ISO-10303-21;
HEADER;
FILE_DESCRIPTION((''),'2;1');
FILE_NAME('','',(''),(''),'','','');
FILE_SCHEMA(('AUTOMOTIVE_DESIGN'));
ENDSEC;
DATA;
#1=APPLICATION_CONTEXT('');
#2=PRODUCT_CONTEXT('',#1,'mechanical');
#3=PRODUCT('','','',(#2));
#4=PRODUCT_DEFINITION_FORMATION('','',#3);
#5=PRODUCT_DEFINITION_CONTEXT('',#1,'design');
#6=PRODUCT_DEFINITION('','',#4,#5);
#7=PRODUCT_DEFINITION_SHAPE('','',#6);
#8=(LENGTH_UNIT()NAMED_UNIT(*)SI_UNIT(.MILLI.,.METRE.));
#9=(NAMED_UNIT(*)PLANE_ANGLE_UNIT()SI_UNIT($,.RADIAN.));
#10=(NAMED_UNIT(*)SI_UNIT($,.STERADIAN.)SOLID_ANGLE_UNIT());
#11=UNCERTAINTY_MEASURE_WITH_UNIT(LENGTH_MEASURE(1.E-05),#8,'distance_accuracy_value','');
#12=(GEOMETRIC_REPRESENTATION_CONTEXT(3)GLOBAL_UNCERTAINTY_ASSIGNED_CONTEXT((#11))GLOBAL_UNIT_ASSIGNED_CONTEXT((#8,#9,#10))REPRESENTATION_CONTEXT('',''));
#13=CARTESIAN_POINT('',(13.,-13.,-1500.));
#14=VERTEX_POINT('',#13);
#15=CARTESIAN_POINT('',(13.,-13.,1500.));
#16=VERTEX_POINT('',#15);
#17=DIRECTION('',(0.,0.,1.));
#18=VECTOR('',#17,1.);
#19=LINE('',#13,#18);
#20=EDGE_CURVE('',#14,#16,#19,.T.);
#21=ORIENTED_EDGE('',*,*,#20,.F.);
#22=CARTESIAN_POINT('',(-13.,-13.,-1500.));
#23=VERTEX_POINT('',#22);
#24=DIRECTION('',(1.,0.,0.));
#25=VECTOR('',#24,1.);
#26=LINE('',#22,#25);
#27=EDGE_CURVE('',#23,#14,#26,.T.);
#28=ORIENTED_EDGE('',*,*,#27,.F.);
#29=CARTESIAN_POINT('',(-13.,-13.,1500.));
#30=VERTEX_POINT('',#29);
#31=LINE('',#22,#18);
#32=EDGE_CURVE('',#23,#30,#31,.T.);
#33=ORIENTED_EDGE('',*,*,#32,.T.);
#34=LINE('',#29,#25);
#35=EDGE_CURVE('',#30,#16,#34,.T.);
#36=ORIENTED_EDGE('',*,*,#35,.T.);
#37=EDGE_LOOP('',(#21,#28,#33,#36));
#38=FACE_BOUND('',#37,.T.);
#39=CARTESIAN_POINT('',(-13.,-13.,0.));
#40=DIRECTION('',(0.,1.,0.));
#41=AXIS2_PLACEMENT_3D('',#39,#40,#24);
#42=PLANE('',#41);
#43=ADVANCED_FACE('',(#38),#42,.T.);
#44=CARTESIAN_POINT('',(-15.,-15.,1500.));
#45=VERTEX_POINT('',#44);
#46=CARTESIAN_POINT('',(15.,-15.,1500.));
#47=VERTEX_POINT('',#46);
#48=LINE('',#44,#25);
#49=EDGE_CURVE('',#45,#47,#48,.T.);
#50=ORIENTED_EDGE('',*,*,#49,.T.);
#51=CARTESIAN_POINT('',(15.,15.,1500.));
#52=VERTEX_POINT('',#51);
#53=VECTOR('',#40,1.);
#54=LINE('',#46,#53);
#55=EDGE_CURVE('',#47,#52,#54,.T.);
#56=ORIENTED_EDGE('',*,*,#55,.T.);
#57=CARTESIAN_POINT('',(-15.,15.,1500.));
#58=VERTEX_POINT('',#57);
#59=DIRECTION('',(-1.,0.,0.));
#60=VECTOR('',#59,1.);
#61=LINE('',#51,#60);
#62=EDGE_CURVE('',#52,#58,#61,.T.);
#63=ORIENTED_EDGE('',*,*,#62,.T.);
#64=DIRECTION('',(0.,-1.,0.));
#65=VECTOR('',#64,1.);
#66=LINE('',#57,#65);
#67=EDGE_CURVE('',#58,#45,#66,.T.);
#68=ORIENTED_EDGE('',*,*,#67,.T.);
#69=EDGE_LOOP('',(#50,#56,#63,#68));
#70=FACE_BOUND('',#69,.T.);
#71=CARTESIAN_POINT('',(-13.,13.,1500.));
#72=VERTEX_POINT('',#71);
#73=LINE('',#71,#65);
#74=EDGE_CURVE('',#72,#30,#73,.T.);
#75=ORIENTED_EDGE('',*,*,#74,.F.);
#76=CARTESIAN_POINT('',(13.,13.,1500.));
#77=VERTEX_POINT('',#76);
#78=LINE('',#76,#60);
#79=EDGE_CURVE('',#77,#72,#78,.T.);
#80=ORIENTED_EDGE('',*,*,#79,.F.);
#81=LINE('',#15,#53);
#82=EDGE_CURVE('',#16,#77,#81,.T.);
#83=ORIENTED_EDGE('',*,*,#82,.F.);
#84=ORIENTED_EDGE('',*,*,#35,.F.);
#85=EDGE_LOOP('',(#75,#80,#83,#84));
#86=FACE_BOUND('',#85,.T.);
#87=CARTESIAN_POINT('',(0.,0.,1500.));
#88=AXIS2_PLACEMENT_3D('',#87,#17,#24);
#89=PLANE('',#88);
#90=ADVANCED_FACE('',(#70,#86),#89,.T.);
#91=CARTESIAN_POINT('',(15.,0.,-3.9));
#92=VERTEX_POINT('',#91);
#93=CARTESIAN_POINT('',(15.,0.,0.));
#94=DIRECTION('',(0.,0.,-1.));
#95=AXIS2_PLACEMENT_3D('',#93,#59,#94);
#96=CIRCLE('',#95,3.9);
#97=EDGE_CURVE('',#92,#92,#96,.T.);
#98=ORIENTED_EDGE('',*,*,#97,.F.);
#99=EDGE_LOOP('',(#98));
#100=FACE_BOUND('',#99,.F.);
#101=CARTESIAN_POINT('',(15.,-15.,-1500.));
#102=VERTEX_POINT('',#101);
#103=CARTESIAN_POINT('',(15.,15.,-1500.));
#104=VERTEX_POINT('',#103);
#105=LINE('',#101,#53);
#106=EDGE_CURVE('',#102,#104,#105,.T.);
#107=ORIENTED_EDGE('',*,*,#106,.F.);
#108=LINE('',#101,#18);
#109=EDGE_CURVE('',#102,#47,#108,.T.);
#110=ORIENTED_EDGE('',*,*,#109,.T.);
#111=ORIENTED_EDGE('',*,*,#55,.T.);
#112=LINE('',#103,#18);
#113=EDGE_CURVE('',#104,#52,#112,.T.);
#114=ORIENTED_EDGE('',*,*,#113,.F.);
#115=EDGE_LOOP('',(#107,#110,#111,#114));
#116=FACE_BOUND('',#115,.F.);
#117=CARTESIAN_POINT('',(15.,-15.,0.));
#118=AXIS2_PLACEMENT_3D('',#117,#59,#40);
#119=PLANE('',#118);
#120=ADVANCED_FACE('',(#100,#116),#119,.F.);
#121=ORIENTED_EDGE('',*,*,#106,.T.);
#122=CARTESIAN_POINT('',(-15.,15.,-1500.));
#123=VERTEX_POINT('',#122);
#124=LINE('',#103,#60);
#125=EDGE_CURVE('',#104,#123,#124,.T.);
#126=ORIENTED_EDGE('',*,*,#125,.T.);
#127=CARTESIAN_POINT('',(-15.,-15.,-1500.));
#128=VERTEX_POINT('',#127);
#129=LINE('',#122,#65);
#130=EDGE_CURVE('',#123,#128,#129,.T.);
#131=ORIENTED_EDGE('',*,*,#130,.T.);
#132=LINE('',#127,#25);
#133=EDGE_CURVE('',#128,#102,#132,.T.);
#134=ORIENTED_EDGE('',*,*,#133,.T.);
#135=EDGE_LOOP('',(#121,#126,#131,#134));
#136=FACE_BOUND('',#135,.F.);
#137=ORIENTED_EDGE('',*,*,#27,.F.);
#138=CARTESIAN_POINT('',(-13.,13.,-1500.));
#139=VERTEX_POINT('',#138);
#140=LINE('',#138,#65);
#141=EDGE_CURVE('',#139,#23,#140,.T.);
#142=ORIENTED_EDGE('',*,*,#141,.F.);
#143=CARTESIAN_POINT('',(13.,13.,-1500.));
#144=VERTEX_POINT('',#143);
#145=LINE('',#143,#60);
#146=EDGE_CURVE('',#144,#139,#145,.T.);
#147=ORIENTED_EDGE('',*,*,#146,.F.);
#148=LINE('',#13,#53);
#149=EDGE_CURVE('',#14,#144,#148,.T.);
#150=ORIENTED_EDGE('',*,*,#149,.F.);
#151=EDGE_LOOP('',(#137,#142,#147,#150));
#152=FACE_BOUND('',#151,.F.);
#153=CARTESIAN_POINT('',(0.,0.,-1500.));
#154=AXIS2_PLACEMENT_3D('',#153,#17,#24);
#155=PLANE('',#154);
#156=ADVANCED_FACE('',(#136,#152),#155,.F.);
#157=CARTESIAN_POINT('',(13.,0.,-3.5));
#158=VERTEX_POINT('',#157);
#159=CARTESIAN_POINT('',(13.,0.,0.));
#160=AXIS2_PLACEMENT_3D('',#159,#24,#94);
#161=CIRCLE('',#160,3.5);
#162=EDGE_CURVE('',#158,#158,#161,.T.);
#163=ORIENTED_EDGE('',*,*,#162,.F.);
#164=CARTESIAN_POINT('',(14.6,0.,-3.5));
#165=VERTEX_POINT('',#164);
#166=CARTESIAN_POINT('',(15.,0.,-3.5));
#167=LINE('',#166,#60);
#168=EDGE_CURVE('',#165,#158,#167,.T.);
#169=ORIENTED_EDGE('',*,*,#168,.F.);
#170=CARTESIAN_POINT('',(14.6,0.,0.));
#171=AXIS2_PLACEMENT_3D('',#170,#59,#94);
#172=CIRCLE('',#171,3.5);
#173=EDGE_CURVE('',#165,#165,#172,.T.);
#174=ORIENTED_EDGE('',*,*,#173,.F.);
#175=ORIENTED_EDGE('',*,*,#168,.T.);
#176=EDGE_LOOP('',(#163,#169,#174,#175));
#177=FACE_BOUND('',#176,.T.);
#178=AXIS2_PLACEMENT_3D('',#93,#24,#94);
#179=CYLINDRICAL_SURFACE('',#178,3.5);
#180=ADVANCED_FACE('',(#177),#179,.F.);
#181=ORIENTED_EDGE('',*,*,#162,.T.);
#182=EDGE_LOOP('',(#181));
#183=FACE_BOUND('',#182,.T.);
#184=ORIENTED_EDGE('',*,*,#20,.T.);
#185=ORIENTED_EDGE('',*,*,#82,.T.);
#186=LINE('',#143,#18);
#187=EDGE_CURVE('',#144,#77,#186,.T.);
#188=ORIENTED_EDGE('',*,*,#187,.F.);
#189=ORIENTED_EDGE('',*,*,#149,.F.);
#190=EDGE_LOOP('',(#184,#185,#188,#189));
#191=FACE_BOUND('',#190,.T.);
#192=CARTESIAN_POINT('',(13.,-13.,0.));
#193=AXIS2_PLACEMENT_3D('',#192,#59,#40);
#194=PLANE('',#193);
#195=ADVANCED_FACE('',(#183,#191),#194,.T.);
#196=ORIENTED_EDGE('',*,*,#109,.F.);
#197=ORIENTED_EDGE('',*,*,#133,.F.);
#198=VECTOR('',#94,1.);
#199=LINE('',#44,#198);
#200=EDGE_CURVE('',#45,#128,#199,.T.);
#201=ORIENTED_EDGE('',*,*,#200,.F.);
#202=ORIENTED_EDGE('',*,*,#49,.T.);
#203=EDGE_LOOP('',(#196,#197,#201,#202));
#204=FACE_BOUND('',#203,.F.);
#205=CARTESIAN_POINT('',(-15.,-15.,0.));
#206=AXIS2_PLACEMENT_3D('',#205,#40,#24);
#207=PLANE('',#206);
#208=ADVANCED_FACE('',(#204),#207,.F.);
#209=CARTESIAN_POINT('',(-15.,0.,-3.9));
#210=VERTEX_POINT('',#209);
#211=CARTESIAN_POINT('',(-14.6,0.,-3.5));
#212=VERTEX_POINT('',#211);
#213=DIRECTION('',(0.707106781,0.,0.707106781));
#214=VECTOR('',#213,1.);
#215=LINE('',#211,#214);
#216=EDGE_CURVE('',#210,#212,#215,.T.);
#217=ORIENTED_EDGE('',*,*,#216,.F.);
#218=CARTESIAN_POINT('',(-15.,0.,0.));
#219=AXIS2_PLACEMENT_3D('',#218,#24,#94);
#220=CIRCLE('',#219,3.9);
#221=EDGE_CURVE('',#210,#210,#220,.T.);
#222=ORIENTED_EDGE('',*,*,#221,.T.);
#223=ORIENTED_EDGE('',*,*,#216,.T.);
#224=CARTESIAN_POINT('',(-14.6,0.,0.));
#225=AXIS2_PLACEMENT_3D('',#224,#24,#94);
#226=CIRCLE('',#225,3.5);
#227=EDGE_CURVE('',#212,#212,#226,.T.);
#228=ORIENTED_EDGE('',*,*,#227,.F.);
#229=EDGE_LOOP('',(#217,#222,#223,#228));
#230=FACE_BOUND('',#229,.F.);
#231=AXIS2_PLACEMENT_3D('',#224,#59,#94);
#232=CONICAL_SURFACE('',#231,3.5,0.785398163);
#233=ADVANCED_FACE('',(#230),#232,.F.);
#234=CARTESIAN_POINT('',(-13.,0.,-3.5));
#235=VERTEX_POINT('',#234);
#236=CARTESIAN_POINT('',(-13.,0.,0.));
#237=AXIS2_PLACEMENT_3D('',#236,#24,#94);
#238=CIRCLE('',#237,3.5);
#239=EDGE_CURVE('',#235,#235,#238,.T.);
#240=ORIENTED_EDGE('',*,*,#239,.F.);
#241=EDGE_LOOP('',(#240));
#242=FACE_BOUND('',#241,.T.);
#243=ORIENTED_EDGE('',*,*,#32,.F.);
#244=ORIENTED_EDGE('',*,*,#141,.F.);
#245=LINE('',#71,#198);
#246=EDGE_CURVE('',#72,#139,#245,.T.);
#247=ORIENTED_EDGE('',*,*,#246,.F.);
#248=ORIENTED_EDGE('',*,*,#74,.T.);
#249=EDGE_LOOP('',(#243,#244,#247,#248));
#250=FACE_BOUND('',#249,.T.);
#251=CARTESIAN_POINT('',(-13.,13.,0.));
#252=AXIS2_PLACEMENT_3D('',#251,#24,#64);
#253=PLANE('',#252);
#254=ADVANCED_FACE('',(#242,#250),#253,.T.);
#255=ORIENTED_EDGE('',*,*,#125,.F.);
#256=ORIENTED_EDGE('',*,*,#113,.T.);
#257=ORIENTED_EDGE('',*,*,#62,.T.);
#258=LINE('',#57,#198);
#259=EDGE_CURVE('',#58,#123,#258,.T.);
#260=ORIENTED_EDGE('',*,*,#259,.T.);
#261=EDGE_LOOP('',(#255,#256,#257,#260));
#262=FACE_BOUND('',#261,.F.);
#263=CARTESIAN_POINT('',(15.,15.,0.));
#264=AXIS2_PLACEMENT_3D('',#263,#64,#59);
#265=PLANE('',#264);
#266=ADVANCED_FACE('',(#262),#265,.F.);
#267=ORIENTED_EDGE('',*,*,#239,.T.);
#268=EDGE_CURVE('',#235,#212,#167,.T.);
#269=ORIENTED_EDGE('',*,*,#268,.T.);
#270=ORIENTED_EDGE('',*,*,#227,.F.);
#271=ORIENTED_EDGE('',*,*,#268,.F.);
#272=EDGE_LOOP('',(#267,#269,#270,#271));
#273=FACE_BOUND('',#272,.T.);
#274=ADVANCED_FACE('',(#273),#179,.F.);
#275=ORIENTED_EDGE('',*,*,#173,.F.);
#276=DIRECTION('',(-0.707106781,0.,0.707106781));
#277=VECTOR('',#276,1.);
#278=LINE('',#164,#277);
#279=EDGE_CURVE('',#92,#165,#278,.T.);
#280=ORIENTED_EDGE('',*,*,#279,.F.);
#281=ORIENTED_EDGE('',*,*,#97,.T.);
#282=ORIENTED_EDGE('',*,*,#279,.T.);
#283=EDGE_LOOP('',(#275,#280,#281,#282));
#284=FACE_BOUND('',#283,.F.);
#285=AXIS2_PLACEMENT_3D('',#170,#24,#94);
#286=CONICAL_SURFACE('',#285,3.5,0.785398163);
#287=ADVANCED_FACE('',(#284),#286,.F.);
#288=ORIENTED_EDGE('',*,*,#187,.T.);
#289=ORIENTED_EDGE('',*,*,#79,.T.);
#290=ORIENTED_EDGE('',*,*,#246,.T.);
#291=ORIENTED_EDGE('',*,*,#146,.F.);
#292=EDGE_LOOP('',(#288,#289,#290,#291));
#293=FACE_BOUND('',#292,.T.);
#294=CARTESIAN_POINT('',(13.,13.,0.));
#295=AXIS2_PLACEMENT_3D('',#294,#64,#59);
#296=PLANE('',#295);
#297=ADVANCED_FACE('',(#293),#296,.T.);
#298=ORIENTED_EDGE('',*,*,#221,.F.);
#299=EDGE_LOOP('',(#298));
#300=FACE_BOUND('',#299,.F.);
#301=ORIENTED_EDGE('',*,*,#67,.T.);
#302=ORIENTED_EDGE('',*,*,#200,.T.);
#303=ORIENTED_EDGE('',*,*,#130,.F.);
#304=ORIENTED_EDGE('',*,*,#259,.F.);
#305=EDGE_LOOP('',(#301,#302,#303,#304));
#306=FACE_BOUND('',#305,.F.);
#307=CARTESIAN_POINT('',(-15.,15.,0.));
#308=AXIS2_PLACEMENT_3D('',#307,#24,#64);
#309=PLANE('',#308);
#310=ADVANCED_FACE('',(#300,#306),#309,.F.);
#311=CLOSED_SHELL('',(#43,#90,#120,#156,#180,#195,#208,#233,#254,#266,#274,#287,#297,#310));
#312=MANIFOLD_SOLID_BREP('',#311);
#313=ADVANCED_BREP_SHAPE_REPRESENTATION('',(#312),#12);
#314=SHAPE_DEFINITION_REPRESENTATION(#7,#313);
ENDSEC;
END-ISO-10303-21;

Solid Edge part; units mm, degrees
sketch "Sketch1" plane through (0, 0, 0) normal (0, 0, 1) x (1, 0, 0)
  line L0 (-15, -15) -> (15, -15)
  line L1 (15, -15) -> (15, 15)
  line L2 (15, 15) -> (-15, 15)
  line L3 (-15, 15) -> (-15, -15)
  line L4 (-13, -13) -> (13, -13)
  line L5 (13, -13) -> (13, 13)
  line L6 (13, 13) -> (-13, 13)
  line L7 (-13, 13) -> (-13, -13)
  dimension "D1" = 30
  dimension "D2" = 30
  dimension "D3" = 2
extrude "body" add sketch "Sketch1" along normal mid plane 3000
hole "center_hole" at (15, 0, 0) direction (-1, 0, 0) diameter 7 end through all start chamfer 0.4 start chamfer angle 45 end chamfer 0.4 end chamfer angle 45
properties material "Aluminum, 7075-T6"
